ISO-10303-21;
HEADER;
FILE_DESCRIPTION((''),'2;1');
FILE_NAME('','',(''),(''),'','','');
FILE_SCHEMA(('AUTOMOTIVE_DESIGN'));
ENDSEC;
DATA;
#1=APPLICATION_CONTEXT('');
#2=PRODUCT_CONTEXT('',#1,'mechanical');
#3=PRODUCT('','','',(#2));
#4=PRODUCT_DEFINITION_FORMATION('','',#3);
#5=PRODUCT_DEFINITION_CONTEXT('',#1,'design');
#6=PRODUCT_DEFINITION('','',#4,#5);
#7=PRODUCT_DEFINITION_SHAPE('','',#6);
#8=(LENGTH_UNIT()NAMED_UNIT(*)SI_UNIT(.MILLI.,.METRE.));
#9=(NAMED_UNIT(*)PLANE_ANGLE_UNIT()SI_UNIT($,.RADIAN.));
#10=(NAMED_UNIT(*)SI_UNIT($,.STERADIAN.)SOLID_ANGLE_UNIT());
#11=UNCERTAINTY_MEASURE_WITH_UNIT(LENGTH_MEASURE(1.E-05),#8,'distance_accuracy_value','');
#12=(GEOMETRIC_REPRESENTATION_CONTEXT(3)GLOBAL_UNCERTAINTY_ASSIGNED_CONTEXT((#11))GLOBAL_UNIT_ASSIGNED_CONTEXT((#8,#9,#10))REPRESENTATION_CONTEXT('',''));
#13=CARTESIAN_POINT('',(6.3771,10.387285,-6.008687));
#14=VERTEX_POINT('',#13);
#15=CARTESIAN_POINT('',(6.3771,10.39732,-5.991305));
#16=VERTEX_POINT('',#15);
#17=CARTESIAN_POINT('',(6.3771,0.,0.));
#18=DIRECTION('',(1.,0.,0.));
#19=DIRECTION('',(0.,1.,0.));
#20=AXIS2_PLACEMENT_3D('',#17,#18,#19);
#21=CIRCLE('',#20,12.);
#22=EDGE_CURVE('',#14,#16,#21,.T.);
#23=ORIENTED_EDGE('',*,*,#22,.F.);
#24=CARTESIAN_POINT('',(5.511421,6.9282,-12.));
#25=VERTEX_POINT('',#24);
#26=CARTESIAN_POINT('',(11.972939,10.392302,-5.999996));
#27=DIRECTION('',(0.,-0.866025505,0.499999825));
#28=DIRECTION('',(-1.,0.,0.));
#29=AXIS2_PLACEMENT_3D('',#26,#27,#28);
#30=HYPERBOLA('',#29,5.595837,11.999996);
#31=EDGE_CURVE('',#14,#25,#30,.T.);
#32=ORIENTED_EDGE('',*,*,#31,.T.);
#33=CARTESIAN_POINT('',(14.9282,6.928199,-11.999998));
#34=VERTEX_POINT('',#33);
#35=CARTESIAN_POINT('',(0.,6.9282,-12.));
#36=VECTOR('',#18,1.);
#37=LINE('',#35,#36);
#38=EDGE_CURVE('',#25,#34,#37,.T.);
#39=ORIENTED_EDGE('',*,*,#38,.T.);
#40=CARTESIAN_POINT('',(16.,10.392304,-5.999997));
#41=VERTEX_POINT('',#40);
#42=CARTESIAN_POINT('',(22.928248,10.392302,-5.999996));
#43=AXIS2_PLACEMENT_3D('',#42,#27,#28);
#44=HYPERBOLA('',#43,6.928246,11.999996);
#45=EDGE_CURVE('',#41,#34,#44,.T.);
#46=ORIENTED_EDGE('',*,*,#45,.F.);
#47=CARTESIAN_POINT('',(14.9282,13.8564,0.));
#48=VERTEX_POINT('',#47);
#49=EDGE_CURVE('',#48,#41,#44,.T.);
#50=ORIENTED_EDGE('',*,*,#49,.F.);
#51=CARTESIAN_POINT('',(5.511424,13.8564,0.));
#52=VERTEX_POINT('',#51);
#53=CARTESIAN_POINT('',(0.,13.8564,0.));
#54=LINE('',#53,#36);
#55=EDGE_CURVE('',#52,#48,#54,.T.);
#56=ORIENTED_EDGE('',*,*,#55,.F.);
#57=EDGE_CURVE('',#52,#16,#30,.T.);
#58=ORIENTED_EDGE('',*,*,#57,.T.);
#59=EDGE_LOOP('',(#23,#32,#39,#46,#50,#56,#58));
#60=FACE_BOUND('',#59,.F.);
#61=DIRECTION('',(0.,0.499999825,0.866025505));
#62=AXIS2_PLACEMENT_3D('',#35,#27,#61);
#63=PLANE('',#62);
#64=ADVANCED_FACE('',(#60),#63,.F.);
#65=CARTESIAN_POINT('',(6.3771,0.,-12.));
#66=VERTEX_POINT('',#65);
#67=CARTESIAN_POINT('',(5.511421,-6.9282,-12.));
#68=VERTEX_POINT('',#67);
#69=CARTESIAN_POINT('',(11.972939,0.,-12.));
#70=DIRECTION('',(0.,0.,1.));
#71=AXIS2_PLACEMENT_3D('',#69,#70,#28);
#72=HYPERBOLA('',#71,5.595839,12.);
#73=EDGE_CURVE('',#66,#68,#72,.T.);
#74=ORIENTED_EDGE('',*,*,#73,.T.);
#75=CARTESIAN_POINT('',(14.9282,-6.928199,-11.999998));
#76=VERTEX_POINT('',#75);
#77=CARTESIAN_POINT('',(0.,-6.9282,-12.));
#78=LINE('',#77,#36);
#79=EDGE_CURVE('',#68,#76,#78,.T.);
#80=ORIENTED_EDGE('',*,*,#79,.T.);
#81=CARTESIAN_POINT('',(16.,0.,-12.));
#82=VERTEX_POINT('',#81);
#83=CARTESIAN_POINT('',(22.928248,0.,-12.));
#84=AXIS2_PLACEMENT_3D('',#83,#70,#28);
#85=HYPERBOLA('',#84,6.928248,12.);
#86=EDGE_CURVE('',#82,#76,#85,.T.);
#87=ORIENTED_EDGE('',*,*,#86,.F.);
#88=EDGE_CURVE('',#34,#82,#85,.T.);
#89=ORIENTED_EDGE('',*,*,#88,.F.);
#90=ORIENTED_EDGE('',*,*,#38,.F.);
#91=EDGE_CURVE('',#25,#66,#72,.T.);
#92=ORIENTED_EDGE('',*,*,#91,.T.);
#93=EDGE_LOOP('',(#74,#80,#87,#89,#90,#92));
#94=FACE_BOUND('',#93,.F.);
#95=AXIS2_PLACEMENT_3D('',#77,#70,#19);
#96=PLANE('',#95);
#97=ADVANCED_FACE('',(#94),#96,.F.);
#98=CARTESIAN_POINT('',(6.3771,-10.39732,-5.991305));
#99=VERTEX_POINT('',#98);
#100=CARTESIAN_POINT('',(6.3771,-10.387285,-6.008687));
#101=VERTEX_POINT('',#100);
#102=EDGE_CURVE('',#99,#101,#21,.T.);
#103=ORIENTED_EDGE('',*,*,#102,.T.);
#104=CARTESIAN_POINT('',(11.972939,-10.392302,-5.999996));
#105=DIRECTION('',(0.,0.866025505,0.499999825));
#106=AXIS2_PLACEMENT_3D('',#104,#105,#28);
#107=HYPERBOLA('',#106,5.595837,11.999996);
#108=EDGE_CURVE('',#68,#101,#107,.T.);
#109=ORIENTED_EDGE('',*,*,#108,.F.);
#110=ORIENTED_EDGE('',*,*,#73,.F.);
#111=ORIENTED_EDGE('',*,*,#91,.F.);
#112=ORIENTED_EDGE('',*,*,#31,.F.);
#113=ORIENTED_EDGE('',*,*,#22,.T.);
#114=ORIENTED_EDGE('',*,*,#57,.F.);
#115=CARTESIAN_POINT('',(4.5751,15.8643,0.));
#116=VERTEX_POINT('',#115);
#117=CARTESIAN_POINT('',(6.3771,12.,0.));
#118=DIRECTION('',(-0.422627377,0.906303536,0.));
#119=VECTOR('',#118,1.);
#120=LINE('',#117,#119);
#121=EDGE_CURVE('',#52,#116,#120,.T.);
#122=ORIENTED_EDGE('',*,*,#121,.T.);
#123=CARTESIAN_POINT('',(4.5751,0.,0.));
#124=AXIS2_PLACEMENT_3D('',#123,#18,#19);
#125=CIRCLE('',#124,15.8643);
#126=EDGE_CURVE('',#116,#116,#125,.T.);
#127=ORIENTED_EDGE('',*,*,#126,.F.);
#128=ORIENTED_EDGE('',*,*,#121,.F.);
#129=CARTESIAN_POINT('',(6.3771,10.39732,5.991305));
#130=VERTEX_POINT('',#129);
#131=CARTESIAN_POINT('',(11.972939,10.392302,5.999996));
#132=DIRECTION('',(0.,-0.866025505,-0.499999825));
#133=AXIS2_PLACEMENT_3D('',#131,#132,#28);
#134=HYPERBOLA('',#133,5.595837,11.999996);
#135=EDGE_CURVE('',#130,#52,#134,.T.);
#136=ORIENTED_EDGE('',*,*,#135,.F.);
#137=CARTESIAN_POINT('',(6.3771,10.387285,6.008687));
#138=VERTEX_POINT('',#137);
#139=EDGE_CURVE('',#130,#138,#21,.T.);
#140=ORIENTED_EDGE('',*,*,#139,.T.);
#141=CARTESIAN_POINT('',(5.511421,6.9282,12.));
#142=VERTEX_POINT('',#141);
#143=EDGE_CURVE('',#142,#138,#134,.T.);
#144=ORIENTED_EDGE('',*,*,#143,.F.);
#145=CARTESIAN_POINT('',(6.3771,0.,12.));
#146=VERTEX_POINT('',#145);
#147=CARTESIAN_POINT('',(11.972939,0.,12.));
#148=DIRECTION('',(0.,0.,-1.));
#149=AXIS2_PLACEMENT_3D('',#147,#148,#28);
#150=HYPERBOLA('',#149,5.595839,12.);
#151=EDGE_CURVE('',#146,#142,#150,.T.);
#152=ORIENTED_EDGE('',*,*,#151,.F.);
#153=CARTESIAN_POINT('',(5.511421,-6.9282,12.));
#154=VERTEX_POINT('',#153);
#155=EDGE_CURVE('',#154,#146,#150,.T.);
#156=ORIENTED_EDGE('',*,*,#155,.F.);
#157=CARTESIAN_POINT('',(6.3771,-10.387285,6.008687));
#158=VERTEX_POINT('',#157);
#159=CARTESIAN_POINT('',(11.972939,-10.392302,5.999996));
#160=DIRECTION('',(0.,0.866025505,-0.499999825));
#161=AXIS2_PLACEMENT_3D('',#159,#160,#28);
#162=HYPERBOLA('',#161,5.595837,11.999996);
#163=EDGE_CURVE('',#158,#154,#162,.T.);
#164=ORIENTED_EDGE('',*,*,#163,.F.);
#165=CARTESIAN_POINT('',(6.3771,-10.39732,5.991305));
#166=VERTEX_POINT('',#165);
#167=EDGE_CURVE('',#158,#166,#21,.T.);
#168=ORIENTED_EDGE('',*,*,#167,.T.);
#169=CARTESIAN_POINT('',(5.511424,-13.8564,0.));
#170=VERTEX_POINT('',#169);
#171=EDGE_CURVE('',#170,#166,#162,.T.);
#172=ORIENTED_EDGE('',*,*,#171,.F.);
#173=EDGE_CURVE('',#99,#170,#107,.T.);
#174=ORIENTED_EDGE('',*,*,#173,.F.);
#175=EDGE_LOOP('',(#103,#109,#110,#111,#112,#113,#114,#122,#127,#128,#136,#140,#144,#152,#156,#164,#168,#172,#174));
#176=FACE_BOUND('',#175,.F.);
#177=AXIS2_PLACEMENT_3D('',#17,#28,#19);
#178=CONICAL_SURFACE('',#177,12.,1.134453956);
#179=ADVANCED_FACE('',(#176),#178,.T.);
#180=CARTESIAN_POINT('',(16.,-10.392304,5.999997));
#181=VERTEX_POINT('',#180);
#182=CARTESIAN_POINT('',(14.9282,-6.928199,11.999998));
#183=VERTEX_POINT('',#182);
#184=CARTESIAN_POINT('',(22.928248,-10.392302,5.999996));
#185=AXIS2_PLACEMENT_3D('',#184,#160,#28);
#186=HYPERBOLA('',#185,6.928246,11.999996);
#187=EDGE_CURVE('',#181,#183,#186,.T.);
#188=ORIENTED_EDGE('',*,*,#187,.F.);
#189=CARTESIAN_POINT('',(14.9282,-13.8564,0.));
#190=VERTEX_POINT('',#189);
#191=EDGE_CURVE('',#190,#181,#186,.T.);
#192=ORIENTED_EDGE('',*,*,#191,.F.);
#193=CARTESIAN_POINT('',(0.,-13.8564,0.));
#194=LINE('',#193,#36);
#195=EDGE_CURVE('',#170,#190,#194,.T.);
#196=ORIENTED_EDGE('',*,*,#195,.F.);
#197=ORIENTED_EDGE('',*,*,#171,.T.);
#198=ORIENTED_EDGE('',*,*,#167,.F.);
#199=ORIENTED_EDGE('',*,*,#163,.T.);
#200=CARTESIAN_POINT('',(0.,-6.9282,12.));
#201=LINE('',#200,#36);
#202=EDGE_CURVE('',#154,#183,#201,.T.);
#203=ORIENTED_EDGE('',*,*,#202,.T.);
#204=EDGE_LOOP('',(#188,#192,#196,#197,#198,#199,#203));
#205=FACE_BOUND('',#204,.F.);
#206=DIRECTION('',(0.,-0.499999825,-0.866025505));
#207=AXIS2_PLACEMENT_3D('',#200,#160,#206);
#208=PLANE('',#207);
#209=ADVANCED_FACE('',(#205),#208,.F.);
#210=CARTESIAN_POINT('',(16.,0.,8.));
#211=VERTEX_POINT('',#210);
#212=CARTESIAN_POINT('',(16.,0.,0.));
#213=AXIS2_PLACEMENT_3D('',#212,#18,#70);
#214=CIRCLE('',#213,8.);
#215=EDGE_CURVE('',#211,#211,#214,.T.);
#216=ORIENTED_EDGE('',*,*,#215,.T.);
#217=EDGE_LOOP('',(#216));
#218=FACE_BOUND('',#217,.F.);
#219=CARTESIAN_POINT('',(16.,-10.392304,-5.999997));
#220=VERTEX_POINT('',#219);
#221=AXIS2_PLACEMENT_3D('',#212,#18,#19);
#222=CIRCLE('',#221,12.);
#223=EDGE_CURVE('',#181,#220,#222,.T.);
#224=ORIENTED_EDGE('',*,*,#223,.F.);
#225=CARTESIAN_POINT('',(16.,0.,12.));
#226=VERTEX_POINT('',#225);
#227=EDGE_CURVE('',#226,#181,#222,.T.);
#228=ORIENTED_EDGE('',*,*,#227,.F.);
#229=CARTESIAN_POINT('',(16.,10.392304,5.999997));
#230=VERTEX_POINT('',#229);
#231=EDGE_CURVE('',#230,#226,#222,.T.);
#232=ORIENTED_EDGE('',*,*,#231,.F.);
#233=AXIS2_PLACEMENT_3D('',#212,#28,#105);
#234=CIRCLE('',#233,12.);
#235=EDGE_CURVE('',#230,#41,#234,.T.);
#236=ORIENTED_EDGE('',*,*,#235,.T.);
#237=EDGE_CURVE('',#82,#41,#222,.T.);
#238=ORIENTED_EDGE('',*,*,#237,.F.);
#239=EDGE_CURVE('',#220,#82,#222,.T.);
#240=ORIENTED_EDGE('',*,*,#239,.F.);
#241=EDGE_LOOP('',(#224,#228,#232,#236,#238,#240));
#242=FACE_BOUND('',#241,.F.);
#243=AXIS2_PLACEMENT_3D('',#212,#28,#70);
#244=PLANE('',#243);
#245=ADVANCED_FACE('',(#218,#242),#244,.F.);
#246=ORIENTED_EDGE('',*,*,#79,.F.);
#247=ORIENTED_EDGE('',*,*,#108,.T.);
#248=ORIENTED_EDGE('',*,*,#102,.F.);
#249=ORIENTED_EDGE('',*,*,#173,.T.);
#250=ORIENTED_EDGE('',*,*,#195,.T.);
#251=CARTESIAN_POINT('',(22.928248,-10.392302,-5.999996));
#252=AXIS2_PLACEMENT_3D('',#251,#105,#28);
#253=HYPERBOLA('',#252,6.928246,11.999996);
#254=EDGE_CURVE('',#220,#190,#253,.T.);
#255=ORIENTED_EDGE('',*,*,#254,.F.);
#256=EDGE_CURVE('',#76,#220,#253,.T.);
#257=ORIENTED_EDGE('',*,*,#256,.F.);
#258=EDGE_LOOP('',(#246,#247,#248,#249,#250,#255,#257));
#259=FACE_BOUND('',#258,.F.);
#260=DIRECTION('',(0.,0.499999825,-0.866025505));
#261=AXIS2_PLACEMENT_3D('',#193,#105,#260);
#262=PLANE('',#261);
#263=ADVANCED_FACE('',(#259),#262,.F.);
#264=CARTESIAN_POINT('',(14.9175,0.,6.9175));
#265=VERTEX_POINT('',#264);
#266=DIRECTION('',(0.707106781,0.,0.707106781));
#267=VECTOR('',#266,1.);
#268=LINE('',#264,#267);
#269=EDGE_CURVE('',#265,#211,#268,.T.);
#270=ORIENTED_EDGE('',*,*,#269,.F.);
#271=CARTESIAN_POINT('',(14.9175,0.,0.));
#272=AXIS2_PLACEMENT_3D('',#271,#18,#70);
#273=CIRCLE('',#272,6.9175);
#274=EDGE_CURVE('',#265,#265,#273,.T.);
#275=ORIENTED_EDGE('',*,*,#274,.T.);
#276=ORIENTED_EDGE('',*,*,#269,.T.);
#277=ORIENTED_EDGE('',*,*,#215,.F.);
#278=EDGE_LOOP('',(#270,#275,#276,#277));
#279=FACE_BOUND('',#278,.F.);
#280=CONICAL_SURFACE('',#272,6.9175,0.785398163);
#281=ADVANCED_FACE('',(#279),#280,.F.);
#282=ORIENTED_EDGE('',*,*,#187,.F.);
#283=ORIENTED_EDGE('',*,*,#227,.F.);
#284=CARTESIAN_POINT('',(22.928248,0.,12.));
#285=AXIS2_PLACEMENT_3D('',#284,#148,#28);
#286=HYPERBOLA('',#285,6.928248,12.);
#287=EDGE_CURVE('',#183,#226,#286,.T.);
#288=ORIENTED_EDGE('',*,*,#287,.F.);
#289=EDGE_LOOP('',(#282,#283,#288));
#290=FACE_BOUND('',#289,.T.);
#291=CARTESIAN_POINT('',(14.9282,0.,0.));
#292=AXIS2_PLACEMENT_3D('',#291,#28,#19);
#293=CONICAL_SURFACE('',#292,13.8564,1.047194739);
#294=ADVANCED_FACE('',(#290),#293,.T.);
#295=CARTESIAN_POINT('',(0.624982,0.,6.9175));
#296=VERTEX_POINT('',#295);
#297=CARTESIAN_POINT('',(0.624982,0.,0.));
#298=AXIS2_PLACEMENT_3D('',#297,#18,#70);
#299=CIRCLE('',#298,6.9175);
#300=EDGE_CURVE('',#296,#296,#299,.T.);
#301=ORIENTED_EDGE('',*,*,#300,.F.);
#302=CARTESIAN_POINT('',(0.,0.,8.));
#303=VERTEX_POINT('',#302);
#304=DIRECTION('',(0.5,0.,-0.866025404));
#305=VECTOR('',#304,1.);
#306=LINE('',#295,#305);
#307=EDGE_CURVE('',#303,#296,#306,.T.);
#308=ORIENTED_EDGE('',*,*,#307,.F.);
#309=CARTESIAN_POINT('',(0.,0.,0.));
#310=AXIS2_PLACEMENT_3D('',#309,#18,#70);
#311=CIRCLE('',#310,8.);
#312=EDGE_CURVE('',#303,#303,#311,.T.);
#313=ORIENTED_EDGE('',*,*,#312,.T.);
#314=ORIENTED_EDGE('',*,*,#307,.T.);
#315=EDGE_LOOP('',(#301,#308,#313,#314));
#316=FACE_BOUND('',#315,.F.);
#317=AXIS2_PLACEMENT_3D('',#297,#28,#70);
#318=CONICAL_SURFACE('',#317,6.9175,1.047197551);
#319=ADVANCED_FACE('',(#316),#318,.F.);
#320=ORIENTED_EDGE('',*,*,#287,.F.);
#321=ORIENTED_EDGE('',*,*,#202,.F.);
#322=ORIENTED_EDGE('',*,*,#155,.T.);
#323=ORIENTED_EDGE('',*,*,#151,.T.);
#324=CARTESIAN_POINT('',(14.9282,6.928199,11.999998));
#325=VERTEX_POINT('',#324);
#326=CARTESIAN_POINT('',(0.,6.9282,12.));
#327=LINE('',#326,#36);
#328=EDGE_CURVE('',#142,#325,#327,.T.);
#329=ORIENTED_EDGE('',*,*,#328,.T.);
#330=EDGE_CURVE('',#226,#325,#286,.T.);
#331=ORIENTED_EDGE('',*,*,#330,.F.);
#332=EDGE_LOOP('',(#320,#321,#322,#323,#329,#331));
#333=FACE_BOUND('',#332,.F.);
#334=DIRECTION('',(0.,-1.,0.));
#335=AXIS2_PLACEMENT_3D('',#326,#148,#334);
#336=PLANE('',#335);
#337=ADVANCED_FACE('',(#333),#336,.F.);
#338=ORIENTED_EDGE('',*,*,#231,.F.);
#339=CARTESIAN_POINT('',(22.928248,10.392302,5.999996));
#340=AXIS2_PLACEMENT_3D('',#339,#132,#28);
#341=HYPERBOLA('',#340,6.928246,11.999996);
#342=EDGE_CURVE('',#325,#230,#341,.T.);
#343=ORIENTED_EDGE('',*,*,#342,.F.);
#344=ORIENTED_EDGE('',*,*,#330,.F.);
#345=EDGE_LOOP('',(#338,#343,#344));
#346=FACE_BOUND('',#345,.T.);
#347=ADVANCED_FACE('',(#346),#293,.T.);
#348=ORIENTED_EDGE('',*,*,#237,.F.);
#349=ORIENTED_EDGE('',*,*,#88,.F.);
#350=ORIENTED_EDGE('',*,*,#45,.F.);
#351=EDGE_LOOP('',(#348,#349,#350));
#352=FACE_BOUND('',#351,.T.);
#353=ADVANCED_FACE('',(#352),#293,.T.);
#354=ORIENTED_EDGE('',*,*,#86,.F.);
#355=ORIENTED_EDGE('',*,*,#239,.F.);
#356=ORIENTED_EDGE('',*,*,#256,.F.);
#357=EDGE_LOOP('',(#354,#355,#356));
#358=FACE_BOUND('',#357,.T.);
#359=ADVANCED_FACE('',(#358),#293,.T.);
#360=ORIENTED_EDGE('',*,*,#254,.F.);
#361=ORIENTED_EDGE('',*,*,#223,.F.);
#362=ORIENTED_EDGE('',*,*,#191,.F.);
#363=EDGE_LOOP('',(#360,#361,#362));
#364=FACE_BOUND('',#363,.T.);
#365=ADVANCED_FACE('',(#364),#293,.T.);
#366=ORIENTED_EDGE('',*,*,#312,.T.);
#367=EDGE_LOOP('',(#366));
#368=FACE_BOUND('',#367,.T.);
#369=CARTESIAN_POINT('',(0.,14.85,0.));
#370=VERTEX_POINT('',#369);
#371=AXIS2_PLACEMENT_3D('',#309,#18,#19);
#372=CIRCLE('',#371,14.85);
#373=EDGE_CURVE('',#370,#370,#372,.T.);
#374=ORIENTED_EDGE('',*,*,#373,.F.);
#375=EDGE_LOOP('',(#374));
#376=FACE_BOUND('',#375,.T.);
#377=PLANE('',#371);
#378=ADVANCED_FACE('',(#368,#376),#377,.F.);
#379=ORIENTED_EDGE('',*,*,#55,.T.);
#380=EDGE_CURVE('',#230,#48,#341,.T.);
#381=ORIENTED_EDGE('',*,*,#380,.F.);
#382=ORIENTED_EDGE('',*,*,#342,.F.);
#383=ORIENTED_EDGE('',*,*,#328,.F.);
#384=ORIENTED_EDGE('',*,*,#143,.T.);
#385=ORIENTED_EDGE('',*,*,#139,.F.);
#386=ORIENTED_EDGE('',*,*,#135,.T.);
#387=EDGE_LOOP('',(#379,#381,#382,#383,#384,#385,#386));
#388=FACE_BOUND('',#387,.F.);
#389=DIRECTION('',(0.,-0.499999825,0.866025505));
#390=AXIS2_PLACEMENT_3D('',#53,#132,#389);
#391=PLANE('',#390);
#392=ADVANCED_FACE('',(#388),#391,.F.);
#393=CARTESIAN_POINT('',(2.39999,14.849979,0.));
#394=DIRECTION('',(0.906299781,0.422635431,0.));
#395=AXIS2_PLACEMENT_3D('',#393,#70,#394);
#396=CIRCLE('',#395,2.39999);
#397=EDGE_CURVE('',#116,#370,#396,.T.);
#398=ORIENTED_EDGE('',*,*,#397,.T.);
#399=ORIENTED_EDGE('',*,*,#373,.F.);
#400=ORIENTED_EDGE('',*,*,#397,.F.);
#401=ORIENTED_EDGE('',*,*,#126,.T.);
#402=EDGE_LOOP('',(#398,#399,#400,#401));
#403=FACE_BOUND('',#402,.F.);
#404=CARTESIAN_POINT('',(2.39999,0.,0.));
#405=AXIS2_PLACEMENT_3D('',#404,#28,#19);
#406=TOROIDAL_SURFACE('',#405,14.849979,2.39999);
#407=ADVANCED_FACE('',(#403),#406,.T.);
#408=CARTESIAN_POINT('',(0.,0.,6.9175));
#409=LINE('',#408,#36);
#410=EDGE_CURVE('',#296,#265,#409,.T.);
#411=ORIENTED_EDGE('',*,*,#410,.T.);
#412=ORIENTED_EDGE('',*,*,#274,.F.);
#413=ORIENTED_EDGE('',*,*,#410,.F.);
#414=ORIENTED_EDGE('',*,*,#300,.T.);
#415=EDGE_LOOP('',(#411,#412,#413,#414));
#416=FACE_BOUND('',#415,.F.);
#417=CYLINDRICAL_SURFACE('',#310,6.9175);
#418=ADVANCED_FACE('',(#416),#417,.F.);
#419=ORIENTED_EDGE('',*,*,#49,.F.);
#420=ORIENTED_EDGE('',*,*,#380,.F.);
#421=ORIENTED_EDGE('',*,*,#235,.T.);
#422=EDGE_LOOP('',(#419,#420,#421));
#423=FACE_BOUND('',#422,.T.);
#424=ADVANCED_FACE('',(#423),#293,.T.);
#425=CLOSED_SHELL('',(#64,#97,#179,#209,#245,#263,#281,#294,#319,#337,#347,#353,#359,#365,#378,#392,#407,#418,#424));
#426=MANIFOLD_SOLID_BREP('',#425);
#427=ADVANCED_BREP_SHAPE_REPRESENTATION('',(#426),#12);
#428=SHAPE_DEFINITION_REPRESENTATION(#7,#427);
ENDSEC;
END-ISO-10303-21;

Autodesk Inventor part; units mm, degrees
ref_plane "YZ Plane" through (0, 0, 0) normal (1, 0, 0) x (0, 1, 0)
ref_plane "XZ Plane" through (0, 0, 0) normal (0, 1, 0) x (-1, 0, 0)
sketch "Sketch1" plane through (0, 0, 0) normal (0, 0, 1) x (1, 0, 0)
  line L0 (-3.6884, 0) -> (19.2814, 0) projected
  line L1 (6.3771, 12) -> (4.5751, 15.8643)
  line L2 (6.3771, 12) -> (16, 12) construction
  line L3 (16, 12) -> (16, 0) construction
  arc A0 (4.5751, 15.8643) -> (0, 14.85) centre (2.4, 14.85) ccw
  line L4 (6.3771, 12) -> (6.3771, 0)
  line L5 (0, -3.5401) -> (0, 21.2403) projected
  point P0 (0, 0)
  dimension "d2" = 24
  dimension "d4" = 34.5
  dimension "d5" = 2.4
  dimension "d15" = 16
  dimension "d16" = 25
revolve "Ring" add sketch "Sketch1" angle 360 about axis through (-10, 0, 0) along (1, 0, 0)
sketch "Sketch2" plane through (0, 0, 0) normal (-1, 0, 0) x (0, 0, 1)
  circle A0 centre (0, 0) radius 4.9
  line L0 (-12, -6.9282) -> (-12, 6.9282)
  line L1 (-12, 6.9282) -> (0, 13.8564)
  line L2 (0, 13.8564) -> (12, 6.9282)
  line L3 (12, 6.9282) -> (12, -6.9282)
  line L4 (12, -6.9282) -> (0, -13.8564)
  line L5 (0, -13.8564) -> (-12, -6.9282)
  circle A1 centre (0, 0) radius 14.85 projected
  dimension "d6" = 27.7128
extrude "Body" add sketch "Sketch2" against normal blind 16 contours A0 | L0 L1 L2 L3 L4 L5
sketch "Sketch3" plane through (0, 0, 0) normal (0, 0, 1) x (1, 0, 0)
  line L0 (5.5114, 13.8564) -> (16, 13.8564) projected
  line L1 (16, 6.9282) -> (16, 13.8564) projected
  line L2 (0, -14.85) -> (0, 14.85) projected
  line L3 (-3.2, 0) -> (19.2, 0) projected
  line L4 (14.9282, 13.8564) -> (16, 12)
  dimension "d10" = 30
  dimension "d11" = 24
revolve "Chamfer1" cut sketch "Sketch3" angle 360 about axis through (-10, 0, 0) along (1, 0, 0)
sketch "Sketch4" plane through (0, 0, 0) normal (-1, 0, 0) x (0, 0, 1)
  circle A0 centre (0, 0) radius 14.85 projected
hole "Thread" at (0, 0, 0) direction (1, 0, 0) diameter 13.835 end through all thread size "M16x2" class "6H" standard "ISO Metric profile"
chamfer "Chamfer2" distance 1.0825 angle 30 1 edges at (0, 0, -6.9175) measured on face at (0, 12.0452, -1.4626)
ref_plane "Work Plane1" through (51.3469, 0, 0) normal (0, 0, -1) x (-1, 0, 0)
chamfer "Chamfer3" distance 1.0825 angle 45 1 edges at (16, 0, -6.9175)
equation "\"d6\" = 1.1547 * SW"
equation "\"d7\" = KOH"
equation "\"d12\" = -0.5 * GD1 + 0.5 * NND"
equation "\"d46\" = -0.5 * GD1 + 0.5 * NND"
equation "\"d51\" = -0.5 * GD1 + 0.5 * NND"
equation "\"d2\" = SW"
equation "\"d4\" = LADI"
equation "\"d5\" = PHH"
equation "\"d15\" = KOH"
equation "\"d16\" = KEWI"
equation "\"d10\" = ANG1"
equation "\"d11\" = SW0"
equation "\"ANG1\" = 30deg"
equation "\"KEWI\" = 25deg"
equation "\"NND\" = 16"
equation "\"LADI\" = 34.5"
equation "\"SW\" = 24"
equation "\"PHH\" = 2.4"
equation "\"KOH\" = NND"
equation "\"SW0\" = 24"
equation "\"d1\" = LADI"
equation "\"d3\" = PHH"
equation "\"GUL\" = 0.541266 * PTC"
equation "\"RR\" = PHH"
equation "\"THREADDIA\" = 16"
equation "\"TOA\" = 30deg"
equation "\"PTC\" = 2"
equation "\"GAL\" = 0.541266 * PTC"
equation "\"E0\" = 1.155 * SW"
equation "\"GD1\" = 13.834936"
properties part number "ISO 4161 - M16" material "Stainless Steel"
